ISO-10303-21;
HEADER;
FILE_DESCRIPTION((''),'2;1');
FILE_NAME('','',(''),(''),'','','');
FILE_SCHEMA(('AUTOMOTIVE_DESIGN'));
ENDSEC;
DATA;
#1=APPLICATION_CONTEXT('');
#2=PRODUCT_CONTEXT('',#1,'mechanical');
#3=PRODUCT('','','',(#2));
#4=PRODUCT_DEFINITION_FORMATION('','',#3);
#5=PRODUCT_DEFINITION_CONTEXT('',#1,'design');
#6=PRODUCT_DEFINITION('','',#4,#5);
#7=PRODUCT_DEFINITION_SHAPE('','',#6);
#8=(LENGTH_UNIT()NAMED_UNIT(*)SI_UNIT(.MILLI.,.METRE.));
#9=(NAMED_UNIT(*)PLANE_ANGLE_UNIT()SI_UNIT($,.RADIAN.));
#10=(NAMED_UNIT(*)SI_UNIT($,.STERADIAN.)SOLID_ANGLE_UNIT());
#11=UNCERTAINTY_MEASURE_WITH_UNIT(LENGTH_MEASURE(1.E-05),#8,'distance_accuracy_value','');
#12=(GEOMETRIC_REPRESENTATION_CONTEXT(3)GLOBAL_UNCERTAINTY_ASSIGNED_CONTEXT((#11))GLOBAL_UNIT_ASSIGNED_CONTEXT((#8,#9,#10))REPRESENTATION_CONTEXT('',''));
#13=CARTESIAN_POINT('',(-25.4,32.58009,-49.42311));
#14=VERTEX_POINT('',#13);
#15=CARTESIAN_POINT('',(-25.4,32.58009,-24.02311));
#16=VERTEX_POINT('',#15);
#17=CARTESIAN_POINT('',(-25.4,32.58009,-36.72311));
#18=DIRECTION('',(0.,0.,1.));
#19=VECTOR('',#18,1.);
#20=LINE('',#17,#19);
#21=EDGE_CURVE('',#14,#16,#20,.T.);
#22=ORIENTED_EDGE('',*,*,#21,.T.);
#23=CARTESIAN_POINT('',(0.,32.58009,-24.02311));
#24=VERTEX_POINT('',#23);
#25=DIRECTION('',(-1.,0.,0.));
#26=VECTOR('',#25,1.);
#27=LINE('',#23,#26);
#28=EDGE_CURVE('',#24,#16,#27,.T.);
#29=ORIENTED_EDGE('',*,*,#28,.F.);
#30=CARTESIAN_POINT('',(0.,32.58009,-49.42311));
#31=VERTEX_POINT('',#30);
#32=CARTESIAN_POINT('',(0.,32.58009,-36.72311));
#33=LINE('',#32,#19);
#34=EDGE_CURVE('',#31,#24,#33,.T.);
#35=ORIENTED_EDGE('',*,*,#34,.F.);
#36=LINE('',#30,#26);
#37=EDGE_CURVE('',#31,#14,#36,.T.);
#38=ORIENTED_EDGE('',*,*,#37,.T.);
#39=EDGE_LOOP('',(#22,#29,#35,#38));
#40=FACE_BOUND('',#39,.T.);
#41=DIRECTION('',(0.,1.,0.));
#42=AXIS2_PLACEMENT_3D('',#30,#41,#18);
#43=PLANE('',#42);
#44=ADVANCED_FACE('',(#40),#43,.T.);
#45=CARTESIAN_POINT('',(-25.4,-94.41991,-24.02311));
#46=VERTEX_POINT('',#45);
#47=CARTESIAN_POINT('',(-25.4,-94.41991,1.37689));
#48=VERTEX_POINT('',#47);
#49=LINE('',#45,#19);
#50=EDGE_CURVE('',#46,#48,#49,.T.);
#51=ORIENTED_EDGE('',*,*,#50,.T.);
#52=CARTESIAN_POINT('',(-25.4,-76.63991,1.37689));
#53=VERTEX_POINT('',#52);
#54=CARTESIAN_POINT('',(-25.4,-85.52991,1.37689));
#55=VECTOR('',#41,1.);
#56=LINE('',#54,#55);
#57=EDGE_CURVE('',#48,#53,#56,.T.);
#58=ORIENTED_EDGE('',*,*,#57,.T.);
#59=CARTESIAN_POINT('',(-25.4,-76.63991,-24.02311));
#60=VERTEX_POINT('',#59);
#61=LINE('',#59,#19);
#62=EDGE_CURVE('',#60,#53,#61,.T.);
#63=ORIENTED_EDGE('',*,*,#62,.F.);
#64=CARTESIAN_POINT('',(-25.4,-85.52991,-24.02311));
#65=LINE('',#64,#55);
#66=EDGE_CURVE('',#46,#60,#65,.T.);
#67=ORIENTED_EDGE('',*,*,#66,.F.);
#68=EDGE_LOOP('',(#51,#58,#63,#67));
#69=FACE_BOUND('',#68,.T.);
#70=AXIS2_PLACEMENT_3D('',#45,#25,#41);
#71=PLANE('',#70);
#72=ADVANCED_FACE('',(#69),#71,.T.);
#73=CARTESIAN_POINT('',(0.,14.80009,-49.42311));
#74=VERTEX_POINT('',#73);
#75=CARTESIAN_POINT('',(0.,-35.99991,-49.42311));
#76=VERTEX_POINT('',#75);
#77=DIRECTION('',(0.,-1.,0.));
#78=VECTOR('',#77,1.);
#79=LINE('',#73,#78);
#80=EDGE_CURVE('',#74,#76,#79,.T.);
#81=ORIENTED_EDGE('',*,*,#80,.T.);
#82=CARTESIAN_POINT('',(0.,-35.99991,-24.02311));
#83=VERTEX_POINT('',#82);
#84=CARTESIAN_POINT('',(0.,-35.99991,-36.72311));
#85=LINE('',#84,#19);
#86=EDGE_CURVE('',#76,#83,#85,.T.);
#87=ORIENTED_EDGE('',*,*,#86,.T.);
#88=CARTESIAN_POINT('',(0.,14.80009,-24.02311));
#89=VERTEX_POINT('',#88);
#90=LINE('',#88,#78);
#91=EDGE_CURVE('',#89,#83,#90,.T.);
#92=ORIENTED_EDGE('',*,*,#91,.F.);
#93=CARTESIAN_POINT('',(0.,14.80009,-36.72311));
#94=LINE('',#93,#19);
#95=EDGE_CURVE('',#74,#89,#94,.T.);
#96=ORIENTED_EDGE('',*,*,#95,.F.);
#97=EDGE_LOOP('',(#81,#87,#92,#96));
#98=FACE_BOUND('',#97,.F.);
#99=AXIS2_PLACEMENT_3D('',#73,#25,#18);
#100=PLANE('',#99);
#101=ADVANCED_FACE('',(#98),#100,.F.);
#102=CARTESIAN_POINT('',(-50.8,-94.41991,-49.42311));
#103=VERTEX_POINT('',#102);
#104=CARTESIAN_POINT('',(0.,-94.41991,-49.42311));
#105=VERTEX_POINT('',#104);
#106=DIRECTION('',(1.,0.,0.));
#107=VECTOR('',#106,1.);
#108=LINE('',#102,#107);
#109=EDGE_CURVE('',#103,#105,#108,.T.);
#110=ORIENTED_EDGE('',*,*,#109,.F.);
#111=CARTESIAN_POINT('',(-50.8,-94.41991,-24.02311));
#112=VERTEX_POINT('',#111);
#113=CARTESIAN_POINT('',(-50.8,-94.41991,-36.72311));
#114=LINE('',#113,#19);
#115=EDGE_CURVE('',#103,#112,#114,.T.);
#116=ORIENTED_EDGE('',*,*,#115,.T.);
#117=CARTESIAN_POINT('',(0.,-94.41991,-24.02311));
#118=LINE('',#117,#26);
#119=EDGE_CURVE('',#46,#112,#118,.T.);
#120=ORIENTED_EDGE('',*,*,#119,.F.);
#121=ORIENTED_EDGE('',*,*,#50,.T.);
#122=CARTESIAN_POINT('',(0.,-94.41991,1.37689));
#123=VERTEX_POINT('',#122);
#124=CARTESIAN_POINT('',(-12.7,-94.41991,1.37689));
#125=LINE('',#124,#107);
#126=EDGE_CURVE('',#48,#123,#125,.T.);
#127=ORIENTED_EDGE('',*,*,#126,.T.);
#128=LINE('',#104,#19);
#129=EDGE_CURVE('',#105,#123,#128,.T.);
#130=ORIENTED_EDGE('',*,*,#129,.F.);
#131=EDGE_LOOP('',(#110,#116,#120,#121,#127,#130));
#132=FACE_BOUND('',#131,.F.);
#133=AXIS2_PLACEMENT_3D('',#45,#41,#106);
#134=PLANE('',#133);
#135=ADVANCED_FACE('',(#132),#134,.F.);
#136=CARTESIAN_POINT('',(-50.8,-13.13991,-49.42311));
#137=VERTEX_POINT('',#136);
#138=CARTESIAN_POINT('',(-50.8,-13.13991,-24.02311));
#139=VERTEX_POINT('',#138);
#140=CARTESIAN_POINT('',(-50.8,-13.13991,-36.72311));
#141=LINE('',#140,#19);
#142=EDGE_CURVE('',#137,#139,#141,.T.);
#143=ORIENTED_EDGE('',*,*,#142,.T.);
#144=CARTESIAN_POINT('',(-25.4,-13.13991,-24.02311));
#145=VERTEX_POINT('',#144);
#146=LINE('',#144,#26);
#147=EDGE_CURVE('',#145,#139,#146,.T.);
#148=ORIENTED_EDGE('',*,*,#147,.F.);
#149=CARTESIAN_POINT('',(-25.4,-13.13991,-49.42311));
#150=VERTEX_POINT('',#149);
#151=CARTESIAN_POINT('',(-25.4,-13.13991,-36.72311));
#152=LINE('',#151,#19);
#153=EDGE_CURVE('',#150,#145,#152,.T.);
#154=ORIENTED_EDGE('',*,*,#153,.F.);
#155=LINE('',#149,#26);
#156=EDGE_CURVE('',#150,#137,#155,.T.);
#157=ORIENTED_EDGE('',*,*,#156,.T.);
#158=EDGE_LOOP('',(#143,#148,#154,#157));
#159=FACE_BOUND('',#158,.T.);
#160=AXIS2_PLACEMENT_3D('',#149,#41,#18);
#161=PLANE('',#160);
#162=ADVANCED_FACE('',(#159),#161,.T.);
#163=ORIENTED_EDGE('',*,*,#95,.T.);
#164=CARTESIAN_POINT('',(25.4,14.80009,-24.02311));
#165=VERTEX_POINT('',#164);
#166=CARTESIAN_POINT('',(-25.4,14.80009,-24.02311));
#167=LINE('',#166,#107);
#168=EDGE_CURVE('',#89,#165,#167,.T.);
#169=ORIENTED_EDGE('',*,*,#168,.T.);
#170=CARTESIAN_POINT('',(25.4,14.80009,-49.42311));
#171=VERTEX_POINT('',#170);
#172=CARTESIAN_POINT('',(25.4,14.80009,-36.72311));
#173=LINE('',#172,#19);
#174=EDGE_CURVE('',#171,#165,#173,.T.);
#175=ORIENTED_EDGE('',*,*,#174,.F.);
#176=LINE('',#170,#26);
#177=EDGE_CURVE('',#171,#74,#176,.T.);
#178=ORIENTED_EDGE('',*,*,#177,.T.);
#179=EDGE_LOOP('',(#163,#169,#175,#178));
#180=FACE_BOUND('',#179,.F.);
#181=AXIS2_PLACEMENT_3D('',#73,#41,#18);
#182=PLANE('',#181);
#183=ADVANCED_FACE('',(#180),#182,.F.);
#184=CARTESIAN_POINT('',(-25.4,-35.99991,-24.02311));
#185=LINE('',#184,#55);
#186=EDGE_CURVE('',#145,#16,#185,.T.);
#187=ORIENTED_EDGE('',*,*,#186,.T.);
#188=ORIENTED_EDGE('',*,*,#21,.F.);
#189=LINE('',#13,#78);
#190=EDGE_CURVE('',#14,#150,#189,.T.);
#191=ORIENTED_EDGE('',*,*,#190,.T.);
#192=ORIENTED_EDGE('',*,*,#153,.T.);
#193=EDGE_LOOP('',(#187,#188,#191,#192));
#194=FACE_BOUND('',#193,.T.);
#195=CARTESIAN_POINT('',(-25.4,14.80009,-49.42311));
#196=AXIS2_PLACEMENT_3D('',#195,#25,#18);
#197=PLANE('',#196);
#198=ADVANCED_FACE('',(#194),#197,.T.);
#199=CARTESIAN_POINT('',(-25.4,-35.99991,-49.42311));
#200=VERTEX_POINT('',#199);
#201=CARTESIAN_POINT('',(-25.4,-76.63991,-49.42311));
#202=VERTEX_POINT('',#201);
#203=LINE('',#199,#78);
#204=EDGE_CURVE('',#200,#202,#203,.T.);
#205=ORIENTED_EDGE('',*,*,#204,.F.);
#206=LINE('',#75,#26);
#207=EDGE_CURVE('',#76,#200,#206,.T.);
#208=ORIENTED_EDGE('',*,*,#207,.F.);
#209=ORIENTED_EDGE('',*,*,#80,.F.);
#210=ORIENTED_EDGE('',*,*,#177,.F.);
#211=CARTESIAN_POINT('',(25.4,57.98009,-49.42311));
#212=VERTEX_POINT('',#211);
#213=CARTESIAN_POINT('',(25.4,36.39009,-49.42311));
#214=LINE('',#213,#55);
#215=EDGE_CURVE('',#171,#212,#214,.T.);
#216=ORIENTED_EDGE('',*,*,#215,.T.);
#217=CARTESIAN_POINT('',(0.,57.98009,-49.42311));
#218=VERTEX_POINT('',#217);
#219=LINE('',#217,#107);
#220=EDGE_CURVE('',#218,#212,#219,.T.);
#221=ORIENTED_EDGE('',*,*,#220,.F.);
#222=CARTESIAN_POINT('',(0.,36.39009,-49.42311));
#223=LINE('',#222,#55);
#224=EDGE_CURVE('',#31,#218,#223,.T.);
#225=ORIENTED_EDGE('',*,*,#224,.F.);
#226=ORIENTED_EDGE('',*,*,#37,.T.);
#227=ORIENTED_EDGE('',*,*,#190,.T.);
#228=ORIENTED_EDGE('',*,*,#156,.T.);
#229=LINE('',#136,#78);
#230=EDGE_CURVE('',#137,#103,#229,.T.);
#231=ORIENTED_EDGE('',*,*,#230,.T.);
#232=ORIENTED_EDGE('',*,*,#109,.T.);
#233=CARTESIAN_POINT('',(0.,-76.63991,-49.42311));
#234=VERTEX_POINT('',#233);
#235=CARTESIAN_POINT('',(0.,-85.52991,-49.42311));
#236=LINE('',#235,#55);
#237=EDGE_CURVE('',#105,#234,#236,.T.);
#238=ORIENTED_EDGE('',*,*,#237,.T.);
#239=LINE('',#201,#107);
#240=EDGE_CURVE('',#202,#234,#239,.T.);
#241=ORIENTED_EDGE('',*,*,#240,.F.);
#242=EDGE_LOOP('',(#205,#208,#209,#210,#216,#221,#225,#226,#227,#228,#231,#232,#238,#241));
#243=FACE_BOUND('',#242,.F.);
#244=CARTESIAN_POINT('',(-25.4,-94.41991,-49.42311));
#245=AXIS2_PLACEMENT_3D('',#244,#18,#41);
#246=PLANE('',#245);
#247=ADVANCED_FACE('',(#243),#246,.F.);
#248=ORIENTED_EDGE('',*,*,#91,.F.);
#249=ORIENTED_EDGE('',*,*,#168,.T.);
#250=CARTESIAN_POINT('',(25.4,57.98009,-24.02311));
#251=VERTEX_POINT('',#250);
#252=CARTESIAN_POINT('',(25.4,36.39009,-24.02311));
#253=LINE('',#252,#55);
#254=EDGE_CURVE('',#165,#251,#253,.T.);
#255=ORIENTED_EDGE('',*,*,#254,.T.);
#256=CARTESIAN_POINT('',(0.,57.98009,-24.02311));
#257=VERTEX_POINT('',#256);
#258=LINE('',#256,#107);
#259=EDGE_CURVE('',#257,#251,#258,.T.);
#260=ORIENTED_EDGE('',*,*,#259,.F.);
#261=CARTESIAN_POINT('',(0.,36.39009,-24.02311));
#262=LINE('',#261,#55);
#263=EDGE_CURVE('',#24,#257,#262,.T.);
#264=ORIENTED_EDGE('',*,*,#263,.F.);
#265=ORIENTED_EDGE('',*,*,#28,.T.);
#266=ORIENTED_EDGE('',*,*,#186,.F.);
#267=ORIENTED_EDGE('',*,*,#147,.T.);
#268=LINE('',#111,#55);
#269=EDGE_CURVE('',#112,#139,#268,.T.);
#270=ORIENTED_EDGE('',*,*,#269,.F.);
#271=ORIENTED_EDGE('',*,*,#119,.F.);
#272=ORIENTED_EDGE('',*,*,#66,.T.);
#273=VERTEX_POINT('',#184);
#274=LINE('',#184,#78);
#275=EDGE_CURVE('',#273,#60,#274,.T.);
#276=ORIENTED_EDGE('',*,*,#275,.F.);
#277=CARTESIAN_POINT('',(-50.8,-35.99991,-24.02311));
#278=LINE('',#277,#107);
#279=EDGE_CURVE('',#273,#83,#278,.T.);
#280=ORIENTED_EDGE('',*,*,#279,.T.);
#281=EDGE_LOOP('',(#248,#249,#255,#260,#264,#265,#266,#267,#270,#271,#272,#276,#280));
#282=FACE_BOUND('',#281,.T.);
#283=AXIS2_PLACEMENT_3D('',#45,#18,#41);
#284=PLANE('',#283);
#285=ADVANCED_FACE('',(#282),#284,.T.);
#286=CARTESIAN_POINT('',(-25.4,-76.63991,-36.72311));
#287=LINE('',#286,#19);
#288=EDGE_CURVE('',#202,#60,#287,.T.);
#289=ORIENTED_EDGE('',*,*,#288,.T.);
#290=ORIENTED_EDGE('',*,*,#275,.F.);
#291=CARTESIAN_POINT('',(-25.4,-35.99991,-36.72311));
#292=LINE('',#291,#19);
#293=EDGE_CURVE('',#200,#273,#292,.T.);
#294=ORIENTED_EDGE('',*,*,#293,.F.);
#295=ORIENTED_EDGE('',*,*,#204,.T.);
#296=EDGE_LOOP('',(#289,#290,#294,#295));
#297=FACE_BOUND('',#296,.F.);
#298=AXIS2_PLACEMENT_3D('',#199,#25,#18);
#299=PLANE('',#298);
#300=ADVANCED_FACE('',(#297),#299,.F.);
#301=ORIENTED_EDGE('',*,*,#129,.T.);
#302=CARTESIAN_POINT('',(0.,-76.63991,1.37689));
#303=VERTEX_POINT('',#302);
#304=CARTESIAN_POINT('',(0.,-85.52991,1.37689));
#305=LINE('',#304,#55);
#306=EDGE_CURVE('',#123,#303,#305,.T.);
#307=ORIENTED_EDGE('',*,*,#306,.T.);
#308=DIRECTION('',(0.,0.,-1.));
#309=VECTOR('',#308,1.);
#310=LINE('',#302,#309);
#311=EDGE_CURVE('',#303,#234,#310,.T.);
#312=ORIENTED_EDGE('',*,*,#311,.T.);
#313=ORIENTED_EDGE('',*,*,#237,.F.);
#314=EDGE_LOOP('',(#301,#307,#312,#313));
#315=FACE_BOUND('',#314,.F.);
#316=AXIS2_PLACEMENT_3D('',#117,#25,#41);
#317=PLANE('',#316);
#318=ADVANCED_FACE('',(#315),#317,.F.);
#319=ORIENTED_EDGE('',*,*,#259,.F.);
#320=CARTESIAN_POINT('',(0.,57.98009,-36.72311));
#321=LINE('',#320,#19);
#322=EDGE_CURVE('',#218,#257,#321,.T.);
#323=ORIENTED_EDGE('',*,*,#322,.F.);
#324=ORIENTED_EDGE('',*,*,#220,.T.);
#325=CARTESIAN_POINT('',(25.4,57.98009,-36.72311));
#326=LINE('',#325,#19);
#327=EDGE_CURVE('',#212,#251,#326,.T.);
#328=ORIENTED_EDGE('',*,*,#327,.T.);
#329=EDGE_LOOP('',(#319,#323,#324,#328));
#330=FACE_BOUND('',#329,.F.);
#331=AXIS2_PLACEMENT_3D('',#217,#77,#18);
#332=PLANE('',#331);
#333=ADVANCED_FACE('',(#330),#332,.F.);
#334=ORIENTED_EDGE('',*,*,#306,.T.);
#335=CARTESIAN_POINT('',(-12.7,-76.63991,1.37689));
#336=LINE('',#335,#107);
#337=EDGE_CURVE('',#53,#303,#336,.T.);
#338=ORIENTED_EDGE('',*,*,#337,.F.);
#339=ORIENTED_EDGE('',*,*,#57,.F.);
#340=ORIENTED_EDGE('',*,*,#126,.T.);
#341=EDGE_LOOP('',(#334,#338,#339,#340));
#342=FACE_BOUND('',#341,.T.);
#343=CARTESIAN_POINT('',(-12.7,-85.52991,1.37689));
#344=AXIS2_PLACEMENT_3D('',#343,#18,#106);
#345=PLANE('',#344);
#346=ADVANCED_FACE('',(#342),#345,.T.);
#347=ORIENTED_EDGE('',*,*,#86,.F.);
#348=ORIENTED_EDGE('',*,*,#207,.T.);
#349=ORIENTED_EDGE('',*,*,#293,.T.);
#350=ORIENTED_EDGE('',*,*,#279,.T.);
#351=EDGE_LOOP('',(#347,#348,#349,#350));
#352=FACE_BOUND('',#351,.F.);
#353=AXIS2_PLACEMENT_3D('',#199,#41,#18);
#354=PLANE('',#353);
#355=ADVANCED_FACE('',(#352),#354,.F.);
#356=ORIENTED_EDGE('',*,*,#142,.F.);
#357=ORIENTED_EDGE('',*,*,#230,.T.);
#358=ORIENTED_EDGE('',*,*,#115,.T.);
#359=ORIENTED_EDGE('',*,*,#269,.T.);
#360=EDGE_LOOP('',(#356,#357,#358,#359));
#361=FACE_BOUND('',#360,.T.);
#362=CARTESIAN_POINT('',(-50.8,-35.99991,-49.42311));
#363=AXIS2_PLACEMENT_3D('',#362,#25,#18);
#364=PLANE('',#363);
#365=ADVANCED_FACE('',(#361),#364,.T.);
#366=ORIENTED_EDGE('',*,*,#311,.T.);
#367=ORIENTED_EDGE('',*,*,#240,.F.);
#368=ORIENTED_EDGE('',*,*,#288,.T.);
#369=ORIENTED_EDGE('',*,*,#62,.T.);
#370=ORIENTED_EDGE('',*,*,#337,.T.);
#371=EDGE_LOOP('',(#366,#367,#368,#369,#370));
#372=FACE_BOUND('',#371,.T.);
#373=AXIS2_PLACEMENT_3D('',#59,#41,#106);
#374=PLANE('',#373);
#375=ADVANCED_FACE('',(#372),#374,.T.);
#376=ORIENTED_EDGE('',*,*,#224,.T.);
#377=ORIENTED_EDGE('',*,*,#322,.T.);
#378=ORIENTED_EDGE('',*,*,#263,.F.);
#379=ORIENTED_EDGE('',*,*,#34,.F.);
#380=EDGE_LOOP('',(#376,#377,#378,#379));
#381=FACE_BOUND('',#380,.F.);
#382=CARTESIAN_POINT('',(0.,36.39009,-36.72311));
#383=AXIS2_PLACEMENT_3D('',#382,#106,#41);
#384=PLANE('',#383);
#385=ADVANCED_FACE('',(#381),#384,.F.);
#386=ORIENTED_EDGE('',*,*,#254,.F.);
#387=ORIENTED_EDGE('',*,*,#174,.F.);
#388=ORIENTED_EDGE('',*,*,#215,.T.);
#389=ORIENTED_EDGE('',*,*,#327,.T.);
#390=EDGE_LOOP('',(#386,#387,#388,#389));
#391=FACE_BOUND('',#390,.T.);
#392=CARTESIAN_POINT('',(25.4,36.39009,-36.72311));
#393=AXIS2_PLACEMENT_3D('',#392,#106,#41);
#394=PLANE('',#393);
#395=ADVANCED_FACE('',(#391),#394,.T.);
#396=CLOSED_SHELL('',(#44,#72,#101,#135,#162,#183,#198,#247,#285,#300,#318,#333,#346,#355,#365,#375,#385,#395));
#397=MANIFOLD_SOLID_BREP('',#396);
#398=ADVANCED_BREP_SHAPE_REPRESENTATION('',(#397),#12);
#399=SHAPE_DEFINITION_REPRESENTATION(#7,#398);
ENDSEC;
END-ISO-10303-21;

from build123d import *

# Parameters (mm, degrees)
F0_W      = 43.18
F0_H      = 25.4
F1_DEPTH  = 25.4
F2_W      = 17.78
F2_H      = 25.4
F3_DEPTH  = 25.4
F4_W      = 25.4
F4_H      = 25.4
F5_DEPTH  = 50.8
F6_W      = 22.86
F6_H      = 25.4
F7_DEPTH  = 25.4
F8_W      = 25.4
F8_H      = 25.4
F9_DEPTH  = 58.42
F10_W     = 17.78
F10_H     = 25.4
F11_DEPTH = 25.4
F12_W     = 25.4
F12_H     = 17.78
F13_DEPTH = 25.4


with BuildPart() as f1:
    # F0 (on Right) → F1 (new body)
    with BuildSketch(Plane.YZ):
        with Locations((36.3900898956, -36.7231099647)):
            Rectangle(F0_W, F0_H)
    extrude(amount=F1_DEPTH)

    # F2 (on face) → F3 (join)
    with BuildSketch(Plane(origin=(0, 0, 0), x_dir=(0, -1, 0), z_dir=(-1, 0, 0))):
        with Locations((-23.6900898956, -36.7231099647)):
            Rectangle(F2_W, F2_H)
    extrude(amount=F3_DEPTH)

    # F4 (on face) → F5 (join)
    with BuildSketch(Plane.XZ.offset(-14.8000898956)):
        with Locations((-12.7, -36.7231099647)):
            Rectangle(F4_W, F4_H)
    extrude(amount=F5_DEPTH)

    # F6 (on face) → F7 (join)
    with BuildSketch(Plane(origin=(-25.4, 0, 0), x_dir=(0, -1, 0), z_dir=(-1, 0, 0))):
        with Locations((24.5699101044, -36.7231099647)):
            Rectangle(F6_W, F6_H)
    extrude(amount=F7_DEPTH)

    # F8 (on face) → F9 (join)
    with BuildSketch(Plane.XZ.offset(35.9999101044)):
        with Locations((-38.1, -36.7231099647)):
            Rectangle(F8_W, F8_H)
    extrude(amount=F9_DEPTH)

    # F10 (on face) → F11 (join)
    with BuildSketch(Plane.YZ.offset(-25.4)):
        with Locations((-85.5299101044, -36.7231099647)):
            Rectangle(F10_W, F10_H)
    extrude(amount=F11_DEPTH)

    # F12 (on face) → F13 (join)
    with BuildSketch(Plane.XY.offset(-24.0231099647)):
        with Locations((-12.7, -85.5299101044)):
            Rectangle(F12_W, F12_H)
    extrude(amount=F13_DEPTH)


solid = f1.part
